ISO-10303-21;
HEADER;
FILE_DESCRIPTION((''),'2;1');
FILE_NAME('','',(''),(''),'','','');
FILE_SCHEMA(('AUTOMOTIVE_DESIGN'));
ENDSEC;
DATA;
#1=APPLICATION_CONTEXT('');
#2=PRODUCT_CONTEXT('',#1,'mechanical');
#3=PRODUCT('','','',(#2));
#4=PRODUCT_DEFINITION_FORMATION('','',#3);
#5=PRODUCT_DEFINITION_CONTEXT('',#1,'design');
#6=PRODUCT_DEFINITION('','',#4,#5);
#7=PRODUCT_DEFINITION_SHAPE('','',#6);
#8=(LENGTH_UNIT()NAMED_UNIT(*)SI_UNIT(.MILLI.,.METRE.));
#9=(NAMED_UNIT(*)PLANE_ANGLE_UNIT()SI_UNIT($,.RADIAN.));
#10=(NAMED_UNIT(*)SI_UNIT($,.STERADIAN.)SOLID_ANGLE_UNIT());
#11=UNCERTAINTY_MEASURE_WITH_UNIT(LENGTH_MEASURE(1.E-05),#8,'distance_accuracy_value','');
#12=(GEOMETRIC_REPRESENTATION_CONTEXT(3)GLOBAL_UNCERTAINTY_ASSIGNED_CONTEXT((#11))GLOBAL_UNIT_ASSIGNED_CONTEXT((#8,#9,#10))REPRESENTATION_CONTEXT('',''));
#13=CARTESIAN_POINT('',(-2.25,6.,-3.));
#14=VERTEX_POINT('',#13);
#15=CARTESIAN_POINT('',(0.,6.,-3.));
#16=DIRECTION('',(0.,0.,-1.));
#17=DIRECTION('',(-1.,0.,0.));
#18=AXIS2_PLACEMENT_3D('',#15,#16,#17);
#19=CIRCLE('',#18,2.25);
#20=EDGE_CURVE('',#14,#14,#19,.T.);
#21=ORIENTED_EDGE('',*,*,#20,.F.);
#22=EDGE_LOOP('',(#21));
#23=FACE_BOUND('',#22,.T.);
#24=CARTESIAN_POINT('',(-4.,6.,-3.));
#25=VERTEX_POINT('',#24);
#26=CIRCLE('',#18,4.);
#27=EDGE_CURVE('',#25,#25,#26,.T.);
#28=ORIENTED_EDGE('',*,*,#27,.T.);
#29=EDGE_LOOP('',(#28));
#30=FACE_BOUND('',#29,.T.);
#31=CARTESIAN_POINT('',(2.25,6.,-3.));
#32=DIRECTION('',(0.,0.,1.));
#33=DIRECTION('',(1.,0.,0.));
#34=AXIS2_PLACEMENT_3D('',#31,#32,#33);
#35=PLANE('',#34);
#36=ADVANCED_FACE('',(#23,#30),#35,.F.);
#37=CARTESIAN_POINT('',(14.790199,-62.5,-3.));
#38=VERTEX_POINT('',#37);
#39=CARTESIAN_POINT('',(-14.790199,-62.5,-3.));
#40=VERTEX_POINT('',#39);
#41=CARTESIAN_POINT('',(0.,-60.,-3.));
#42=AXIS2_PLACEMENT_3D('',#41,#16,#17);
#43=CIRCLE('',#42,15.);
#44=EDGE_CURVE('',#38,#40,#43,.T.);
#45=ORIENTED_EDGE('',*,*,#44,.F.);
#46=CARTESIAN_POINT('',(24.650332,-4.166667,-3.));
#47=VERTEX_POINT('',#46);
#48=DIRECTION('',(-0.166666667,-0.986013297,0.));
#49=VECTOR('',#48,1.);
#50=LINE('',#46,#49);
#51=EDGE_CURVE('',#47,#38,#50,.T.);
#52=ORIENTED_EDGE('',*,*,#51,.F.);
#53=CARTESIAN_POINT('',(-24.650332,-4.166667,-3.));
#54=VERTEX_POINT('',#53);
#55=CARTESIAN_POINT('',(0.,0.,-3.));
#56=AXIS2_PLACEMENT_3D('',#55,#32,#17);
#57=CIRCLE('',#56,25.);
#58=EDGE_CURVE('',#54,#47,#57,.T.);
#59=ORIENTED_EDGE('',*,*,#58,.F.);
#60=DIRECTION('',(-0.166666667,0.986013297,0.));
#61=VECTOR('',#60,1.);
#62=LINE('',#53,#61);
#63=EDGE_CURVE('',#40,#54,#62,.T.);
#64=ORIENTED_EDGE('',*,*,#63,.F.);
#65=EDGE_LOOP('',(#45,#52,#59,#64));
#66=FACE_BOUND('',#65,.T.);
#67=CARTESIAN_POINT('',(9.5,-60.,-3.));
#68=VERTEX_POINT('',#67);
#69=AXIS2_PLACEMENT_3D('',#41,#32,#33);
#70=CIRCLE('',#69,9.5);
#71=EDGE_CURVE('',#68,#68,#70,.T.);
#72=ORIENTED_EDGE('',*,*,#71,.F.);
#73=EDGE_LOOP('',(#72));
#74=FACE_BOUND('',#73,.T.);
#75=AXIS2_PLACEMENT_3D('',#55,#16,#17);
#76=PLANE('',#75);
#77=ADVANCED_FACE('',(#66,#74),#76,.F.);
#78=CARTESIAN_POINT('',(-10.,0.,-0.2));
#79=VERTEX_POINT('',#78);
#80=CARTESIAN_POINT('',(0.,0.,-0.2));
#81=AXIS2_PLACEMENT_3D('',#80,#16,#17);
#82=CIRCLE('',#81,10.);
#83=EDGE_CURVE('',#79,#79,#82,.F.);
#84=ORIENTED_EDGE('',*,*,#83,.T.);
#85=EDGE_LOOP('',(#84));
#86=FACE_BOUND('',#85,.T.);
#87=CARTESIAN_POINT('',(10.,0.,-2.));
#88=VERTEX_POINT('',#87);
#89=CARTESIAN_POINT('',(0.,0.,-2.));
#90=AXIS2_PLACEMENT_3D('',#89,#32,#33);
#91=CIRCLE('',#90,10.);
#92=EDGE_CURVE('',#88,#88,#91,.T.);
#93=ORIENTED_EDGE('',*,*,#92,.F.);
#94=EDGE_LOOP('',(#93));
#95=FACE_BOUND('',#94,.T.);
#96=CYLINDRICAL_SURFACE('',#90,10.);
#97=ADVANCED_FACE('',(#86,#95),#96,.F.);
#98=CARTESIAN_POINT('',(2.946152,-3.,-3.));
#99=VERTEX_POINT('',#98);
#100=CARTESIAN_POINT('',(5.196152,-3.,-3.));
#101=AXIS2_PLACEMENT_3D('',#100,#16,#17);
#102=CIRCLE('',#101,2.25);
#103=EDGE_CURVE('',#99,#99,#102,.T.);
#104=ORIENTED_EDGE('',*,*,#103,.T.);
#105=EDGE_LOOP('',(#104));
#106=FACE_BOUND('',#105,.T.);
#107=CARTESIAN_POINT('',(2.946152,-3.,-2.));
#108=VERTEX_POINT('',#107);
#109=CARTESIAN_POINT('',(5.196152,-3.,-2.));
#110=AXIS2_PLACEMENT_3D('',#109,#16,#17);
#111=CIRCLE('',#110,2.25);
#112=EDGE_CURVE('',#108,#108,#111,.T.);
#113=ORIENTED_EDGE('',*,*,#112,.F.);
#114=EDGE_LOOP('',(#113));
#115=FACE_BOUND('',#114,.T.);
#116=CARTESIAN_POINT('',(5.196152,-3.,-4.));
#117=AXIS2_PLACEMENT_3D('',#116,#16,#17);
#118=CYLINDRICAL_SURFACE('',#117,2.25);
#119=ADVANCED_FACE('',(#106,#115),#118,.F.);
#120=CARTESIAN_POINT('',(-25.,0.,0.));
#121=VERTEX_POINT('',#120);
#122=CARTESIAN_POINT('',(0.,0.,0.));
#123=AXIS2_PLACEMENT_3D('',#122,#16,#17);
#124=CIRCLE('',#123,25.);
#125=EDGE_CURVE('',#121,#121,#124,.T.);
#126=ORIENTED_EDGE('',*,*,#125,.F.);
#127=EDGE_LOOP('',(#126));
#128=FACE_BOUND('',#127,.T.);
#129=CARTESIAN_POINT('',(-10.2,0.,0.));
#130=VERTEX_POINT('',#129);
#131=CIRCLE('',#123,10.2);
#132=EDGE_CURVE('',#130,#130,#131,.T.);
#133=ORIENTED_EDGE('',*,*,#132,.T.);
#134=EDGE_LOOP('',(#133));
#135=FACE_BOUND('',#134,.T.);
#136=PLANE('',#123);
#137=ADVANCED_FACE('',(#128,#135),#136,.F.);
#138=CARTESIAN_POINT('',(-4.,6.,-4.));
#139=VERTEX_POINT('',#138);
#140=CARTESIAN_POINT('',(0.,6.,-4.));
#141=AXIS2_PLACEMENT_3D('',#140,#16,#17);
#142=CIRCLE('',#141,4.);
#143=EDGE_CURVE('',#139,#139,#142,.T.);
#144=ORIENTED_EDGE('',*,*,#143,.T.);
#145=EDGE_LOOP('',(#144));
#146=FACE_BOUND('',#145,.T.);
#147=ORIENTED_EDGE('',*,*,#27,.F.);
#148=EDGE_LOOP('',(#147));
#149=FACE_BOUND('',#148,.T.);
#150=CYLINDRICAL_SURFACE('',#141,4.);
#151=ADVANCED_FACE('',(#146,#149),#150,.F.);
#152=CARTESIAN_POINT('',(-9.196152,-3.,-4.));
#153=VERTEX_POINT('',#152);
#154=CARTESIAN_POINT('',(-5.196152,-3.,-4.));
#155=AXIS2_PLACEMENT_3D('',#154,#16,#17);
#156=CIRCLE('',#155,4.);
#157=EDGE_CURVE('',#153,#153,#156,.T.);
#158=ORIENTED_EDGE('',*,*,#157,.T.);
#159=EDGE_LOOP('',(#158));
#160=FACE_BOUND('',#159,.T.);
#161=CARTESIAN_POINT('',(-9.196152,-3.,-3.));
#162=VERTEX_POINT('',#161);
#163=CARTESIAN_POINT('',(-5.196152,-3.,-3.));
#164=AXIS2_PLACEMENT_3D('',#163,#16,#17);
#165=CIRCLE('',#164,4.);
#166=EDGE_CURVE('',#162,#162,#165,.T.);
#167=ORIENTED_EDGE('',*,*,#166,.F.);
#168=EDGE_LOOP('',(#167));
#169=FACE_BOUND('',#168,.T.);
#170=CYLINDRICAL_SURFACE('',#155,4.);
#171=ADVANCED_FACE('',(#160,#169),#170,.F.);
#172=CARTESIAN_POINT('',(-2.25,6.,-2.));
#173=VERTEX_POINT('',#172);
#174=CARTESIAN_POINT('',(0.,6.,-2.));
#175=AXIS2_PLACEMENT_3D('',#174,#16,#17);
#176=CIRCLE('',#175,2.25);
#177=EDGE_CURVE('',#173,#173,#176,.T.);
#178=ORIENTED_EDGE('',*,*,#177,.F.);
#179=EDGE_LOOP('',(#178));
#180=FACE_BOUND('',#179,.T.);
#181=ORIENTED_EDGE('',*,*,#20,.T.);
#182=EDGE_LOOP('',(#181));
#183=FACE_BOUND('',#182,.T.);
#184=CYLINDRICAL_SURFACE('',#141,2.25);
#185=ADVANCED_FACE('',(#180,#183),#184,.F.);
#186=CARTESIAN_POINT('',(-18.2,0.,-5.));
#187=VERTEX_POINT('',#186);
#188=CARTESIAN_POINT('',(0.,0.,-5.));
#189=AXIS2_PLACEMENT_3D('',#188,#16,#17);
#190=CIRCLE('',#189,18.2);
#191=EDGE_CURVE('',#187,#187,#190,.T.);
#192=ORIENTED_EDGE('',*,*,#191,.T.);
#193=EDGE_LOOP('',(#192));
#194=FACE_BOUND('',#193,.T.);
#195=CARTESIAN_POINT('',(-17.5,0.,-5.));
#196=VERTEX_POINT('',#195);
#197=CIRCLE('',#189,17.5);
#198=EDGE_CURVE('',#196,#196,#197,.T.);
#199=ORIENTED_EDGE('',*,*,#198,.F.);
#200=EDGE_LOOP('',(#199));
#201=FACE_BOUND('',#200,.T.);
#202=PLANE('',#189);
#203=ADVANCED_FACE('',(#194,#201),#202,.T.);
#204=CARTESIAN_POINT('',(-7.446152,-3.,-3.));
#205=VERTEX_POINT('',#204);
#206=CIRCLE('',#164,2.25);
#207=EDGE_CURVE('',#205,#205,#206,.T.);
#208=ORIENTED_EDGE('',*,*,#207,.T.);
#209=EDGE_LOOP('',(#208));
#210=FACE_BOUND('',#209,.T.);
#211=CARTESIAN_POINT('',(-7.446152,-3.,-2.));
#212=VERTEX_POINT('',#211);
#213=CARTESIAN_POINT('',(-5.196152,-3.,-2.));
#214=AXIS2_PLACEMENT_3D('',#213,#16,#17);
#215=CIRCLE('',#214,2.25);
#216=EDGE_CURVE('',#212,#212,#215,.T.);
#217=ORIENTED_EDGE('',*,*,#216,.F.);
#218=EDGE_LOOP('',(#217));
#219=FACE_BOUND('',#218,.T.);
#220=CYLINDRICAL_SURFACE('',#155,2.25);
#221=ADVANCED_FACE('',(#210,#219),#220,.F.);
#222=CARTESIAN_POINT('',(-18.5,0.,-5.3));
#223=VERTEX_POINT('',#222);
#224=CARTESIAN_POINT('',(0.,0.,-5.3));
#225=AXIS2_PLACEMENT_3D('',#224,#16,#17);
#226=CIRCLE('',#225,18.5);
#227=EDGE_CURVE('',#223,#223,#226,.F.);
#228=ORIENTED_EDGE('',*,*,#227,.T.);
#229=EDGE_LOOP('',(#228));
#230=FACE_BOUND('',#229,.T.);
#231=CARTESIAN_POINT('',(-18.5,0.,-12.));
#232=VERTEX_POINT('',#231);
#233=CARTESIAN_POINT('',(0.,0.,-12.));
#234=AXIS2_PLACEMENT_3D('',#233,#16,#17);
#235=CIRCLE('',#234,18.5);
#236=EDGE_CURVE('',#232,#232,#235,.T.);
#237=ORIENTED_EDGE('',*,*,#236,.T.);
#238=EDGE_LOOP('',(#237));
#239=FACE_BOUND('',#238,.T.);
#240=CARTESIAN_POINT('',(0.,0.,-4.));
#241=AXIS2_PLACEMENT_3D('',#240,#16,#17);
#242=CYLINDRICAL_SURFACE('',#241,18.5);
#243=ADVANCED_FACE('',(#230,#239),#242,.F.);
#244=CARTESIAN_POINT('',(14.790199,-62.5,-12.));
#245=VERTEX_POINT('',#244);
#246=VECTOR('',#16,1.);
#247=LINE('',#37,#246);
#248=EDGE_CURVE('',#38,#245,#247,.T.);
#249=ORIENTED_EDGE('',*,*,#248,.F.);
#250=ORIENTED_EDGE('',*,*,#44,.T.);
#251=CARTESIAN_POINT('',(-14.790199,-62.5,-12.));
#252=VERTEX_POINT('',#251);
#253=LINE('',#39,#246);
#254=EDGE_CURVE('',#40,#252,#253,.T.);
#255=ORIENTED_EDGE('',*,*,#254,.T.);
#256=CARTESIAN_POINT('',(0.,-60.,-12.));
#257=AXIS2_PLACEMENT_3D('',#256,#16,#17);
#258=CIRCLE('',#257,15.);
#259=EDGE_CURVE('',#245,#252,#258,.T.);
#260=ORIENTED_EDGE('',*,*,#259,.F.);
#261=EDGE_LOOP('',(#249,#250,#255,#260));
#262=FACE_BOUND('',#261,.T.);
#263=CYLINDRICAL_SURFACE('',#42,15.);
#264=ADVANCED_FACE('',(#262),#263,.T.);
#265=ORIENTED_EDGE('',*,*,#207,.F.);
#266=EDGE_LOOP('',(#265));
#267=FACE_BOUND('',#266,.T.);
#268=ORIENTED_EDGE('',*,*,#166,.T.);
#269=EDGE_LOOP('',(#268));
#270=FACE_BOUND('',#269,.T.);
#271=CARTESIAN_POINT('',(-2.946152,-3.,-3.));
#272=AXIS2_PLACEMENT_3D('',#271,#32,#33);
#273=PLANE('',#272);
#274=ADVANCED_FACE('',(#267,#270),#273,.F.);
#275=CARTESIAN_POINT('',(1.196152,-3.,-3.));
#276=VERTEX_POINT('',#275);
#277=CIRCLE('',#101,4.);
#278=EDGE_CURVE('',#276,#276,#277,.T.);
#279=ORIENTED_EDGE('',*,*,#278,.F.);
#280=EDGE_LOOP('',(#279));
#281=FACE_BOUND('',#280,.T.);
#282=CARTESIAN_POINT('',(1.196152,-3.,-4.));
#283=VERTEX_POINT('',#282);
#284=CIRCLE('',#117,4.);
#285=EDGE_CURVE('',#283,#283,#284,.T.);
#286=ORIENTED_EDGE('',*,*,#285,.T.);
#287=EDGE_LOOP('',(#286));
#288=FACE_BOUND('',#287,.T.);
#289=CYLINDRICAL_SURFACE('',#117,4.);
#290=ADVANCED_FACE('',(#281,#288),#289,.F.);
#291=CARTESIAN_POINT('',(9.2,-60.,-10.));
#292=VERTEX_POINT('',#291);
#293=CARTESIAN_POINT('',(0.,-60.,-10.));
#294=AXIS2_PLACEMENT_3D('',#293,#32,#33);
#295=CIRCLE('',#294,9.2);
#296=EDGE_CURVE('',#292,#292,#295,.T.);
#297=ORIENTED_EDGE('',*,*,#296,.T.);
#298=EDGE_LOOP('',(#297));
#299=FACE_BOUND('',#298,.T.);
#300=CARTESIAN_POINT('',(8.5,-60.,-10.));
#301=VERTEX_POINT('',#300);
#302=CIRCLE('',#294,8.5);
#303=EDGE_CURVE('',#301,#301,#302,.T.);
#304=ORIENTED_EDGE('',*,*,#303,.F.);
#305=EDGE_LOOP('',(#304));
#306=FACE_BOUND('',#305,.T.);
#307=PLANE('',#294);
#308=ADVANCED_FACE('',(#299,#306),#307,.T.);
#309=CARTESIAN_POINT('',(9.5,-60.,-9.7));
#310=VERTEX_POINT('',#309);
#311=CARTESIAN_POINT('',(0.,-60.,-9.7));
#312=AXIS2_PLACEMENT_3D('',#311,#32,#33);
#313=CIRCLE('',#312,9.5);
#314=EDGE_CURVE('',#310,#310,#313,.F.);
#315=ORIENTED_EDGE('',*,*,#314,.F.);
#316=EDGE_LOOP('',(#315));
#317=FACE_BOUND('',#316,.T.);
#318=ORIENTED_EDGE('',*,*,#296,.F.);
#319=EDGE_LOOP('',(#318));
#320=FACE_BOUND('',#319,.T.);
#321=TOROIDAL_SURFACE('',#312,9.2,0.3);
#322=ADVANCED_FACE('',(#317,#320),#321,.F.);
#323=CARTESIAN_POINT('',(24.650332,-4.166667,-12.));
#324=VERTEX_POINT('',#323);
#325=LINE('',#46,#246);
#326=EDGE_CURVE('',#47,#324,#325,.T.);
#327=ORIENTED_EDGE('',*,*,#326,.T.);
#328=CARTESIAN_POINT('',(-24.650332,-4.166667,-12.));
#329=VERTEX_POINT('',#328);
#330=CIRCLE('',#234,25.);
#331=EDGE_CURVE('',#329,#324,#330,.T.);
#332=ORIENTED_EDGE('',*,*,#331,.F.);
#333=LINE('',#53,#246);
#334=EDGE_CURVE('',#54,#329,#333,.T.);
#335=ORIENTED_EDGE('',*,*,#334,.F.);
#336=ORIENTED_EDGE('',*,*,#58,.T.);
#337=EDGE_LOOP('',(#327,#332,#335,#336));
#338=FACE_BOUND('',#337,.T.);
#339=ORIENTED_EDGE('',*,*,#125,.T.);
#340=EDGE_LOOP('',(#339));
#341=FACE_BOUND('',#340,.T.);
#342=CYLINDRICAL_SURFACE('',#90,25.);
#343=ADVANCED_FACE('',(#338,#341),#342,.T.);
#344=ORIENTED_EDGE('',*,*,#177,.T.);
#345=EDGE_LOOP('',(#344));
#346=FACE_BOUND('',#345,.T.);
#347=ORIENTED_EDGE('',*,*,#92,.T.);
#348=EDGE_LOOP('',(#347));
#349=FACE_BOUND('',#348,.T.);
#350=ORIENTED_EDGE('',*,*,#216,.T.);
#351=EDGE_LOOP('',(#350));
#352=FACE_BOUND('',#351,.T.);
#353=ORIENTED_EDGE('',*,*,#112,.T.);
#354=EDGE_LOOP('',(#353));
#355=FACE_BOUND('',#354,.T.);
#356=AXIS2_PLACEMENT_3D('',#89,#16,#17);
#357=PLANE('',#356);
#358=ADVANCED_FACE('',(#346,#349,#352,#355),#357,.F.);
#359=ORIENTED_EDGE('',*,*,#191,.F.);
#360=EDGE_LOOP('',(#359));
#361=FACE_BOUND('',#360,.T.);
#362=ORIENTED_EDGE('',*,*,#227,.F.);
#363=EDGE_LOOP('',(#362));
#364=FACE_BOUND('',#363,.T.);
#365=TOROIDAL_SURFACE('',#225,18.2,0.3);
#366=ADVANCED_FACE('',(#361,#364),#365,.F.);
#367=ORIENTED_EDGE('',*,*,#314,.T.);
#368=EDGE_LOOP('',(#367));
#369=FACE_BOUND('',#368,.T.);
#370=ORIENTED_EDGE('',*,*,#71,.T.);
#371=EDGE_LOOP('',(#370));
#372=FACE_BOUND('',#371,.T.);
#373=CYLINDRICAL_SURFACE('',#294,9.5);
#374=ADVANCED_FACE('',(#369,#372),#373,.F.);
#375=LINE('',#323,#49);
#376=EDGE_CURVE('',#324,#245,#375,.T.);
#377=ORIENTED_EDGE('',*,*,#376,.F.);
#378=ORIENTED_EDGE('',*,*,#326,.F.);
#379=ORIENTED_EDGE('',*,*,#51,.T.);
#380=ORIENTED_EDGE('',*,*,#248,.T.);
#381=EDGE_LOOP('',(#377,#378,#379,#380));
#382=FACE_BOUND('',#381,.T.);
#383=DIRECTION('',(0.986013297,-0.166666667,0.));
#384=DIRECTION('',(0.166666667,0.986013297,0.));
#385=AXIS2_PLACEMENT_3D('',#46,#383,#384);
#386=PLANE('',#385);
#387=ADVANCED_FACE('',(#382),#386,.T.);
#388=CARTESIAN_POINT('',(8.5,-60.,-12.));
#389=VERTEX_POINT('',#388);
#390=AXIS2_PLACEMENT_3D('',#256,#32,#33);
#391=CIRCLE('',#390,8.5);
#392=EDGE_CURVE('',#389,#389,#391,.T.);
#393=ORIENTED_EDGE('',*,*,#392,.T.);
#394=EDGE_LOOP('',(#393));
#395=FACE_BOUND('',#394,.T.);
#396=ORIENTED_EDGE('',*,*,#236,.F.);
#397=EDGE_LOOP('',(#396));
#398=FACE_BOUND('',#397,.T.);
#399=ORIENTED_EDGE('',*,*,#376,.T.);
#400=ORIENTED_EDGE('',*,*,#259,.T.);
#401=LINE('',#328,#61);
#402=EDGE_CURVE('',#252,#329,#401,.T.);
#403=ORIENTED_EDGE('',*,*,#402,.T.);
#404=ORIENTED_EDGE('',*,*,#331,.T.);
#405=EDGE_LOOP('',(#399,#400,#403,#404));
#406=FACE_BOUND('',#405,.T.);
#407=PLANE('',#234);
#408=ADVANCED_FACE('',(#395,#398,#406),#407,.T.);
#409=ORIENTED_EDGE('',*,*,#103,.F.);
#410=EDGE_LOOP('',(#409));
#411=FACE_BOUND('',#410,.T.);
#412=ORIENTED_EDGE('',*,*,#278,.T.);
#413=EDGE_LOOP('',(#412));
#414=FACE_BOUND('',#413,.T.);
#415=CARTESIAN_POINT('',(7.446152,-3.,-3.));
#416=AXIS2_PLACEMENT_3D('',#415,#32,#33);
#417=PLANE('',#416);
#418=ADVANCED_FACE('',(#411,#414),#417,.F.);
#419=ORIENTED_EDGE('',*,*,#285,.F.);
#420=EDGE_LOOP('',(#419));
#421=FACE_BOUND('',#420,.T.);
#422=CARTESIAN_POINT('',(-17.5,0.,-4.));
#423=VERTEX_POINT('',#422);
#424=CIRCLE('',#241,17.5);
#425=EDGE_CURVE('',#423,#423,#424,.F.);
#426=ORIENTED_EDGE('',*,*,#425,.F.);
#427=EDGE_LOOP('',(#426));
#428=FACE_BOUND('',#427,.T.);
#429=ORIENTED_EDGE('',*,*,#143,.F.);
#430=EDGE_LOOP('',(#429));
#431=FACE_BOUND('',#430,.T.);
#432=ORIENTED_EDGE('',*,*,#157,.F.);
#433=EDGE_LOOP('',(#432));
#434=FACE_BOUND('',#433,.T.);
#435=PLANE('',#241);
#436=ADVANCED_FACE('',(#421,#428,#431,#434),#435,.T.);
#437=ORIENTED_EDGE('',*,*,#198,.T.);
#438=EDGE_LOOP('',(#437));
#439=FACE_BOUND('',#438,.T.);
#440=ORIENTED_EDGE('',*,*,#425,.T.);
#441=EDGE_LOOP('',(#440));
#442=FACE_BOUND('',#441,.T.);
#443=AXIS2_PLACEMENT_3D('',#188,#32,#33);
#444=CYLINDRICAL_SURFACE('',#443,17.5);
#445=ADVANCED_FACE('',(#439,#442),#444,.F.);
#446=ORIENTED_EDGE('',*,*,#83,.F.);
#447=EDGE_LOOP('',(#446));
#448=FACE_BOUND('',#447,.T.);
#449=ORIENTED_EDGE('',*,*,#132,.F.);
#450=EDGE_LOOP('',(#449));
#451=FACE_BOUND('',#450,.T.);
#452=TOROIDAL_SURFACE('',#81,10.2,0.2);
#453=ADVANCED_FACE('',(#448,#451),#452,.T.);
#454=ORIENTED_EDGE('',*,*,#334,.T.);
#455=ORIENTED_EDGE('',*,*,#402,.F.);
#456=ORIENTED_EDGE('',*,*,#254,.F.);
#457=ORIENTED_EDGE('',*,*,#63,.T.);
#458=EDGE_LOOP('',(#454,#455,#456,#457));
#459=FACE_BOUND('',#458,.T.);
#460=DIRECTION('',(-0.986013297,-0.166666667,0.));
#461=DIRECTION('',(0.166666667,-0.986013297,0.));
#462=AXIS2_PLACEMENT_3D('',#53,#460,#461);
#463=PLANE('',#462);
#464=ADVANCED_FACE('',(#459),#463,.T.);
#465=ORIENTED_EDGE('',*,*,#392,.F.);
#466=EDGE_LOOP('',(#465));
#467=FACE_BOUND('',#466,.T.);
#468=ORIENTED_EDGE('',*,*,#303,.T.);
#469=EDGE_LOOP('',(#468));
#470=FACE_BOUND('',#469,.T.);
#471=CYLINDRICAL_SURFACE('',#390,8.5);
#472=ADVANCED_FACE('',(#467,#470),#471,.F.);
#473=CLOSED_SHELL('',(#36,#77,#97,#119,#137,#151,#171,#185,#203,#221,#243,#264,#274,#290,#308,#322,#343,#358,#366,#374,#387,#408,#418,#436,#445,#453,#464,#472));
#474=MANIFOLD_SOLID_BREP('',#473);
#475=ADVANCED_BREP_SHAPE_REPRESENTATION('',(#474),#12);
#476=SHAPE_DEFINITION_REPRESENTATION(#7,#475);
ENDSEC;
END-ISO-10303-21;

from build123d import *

# Parameters (mm, degrees)
SKETCH_2_R                   = 25
EXTRUDE_2_DEPTH              = 2
SKETCH_22_R                  = 10
CUT_EXTRUDE_1_DEPTH          = 2
FILLET_4_R                   = 0.2
SKETCH_54_R                  = 25
EXTRUDE_6_DEPTH              = 10
SKETCH_55_R                  = 18.5
CUT_EXTRUDE_2_DEPTH          = 8
HOLE_WIZARD_M4_1_D           = 4.5
HOLE_WIZARD_M4_1_CBORE_D     = 8
HOLE_WIZARD_M4_1_CBORE_DEPTH = 1
PATTERN_CIRCULAR_1_COUNT     = 3
SKETCH_59_R                  = 18.5
SKETCH_59_R_2                = 17.5
EXTRUDE_7_DEPTH              = 1
EXTRUDE_8_DEPTH              = 9
FILLET_6_R                   = 0.3
SKETCH_68_R                  = 9.5
CUT_EXTRUDE_7_DEPTH          = 7
SKETCH_69_R                  = 8.5
CUT_EXTRUDE_8_DEPTH          = 3
FILLET_7_R                   = 0.3


with BuildPart() as part:
    # 스케치2 → 보스-돌출2 (new body)
    with BuildSketch(Plane(origin=(0, 6, 0), x_dir=(1, 0, 0), z_dir=(0, 0, -1))):
        with Locations((0, 6)):
            Circle(SKETCH_2_R)
    extrude(amount=EXTRUDE_2_DEPTH)

    # 스케치22 → 컷-돌출1 (cut)
    with BuildSketch(Plane.XY):
        Circle(SKETCH_22_R)
    extrude(amount=-CUT_EXTRUDE_1_DEPTH, mode=Mode.SUBTRACT)

    # 필렛4
    fillet_4_edges = [part.edges().sort_by_distance(p)[0] for p in [
        (-10, 0, 0),
    ]]
    fillet(fillet_4_edges, radius=FILLET_4_R)

    # 스케치54 → 보스-돌출6 (add)
    with BuildSketch(Plane(origin=(0, 0, -2), x_dir=(-1, 0, 0), z_dir=(0, 0, -1))):
        Circle(SKETCH_54_R)
    extrude(amount=EXTRUDE_6_DEPTH)

    # 스케치55 → 컷-돌출2 (cut)
    with BuildSketch(Plane(origin=(0, 0, -12), x_dir=(-1, 0, 0), z_dir=(0, 0, -1))):
        Circle(SKETCH_55_R)
    extrude(amount=-CUT_EXTRUDE_2_DEPTH, mode=Mode.SUBTRACT)

    # M4 육각 소켓 머리 캡 나사용 카운터보어1 (through all)
    with Locations(Plane(origin=(0, 0, -4), x_dir=(-1, 0, 0), z_dir=(0, 0, -1))):
        with Locations((0, 6)):
            hole_wizard_m4_1 = CounterBoreHole(HOLE_WIZARD_M4_1_D / 2, HOLE_WIZARD_M4_1_CBORE_D / 2, HOLE_WIZARD_M4_1_CBORE_DEPTH)

    # 원형 패턴1: M4 육각 소켓 머리 캡 나사용 카운터보어1 ×3 about axis
    pattern_circular_1_axis = Axis((0, 0, 0), (0, 0, 1))
    for i in range(1, PATTERN_CIRCULAR_1_COUNT):
        add(hole_wizard_m4_1.rotate(pattern_circular_1_axis, i * 360 / PATTERN_CIRCULAR_1_COUNT), mode=Mode.SUBTRACT)

    # 스케치59 → 보스-돌출7 (add)
    with BuildSketch(Plane(origin=(0, 0, -4), x_dir=(-1, 0, 0), z_dir=(0, 0, -1))):
        Circle(SKETCH_59_R)
        Circle(SKETCH_59_R_2, mode=Mode.SUBTRACT)
    extrude(amount=EXTRUDE_7_DEPTH)

    # 스케치60 → 보스-돌출8 (add)
    with BuildSketch(Plane(origin=(0, 0, -12), x_dir=(-1, 0, 0), z_dir=(0, 0, -1))):
        with BuildLine():
            Line((-24.65033243, -4.166666667), (-14.790199458, -62.5))
            ThreePointArc((-14.790199458, -62.5), (0, -75), (14.790199458, -62.5))
            Line((14.790199458, -62.5), (24.65033243, -4.166666667))
            ThreePointArc((24.65033243, -4.166666667), (0, -25), (-24.65033243, -4.166666667))
        make_face()
    extrude(amount=-EXTRUDE_8_DEPTH)

    # 필렛6
    fillet_6_edges = [part.edges().sort_by_distance(p)[0] for p in [
        (18.5, 0, -5),
    ]]
    fillet(fillet_6_edges, radius=FILLET_6_R)

    # 스케치68 → 컷-돌출7 (cut)
    with BuildSketch(Plane.XY.offset(-3)):
        with Locations((0, -60)):
            Circle(SKETCH_68_R)
    extrude(amount=-CUT_EXTRUDE_7_DEPTH, mode=Mode.SUBTRACT)

    # 스케치69 → 컷-돌출8 (cut, through all)
    with BuildSketch(Plane.XY.offset(-10)):
        with Locations((0, -60)):
            Circle(SKETCH_69_R)
    extrude(amount=-CUT_EXTRUDE_8_DEPTH, mode=Mode.SUBTRACT)

    # 필렛7
    fillet_7_edges = [part.edges().sort_by_distance(p)[0] for p in [
        (-9.5, -60, -10),
    ]]
    fillet(fillet_7_edges, radius=FILLET_7_R)


solid = part.part
